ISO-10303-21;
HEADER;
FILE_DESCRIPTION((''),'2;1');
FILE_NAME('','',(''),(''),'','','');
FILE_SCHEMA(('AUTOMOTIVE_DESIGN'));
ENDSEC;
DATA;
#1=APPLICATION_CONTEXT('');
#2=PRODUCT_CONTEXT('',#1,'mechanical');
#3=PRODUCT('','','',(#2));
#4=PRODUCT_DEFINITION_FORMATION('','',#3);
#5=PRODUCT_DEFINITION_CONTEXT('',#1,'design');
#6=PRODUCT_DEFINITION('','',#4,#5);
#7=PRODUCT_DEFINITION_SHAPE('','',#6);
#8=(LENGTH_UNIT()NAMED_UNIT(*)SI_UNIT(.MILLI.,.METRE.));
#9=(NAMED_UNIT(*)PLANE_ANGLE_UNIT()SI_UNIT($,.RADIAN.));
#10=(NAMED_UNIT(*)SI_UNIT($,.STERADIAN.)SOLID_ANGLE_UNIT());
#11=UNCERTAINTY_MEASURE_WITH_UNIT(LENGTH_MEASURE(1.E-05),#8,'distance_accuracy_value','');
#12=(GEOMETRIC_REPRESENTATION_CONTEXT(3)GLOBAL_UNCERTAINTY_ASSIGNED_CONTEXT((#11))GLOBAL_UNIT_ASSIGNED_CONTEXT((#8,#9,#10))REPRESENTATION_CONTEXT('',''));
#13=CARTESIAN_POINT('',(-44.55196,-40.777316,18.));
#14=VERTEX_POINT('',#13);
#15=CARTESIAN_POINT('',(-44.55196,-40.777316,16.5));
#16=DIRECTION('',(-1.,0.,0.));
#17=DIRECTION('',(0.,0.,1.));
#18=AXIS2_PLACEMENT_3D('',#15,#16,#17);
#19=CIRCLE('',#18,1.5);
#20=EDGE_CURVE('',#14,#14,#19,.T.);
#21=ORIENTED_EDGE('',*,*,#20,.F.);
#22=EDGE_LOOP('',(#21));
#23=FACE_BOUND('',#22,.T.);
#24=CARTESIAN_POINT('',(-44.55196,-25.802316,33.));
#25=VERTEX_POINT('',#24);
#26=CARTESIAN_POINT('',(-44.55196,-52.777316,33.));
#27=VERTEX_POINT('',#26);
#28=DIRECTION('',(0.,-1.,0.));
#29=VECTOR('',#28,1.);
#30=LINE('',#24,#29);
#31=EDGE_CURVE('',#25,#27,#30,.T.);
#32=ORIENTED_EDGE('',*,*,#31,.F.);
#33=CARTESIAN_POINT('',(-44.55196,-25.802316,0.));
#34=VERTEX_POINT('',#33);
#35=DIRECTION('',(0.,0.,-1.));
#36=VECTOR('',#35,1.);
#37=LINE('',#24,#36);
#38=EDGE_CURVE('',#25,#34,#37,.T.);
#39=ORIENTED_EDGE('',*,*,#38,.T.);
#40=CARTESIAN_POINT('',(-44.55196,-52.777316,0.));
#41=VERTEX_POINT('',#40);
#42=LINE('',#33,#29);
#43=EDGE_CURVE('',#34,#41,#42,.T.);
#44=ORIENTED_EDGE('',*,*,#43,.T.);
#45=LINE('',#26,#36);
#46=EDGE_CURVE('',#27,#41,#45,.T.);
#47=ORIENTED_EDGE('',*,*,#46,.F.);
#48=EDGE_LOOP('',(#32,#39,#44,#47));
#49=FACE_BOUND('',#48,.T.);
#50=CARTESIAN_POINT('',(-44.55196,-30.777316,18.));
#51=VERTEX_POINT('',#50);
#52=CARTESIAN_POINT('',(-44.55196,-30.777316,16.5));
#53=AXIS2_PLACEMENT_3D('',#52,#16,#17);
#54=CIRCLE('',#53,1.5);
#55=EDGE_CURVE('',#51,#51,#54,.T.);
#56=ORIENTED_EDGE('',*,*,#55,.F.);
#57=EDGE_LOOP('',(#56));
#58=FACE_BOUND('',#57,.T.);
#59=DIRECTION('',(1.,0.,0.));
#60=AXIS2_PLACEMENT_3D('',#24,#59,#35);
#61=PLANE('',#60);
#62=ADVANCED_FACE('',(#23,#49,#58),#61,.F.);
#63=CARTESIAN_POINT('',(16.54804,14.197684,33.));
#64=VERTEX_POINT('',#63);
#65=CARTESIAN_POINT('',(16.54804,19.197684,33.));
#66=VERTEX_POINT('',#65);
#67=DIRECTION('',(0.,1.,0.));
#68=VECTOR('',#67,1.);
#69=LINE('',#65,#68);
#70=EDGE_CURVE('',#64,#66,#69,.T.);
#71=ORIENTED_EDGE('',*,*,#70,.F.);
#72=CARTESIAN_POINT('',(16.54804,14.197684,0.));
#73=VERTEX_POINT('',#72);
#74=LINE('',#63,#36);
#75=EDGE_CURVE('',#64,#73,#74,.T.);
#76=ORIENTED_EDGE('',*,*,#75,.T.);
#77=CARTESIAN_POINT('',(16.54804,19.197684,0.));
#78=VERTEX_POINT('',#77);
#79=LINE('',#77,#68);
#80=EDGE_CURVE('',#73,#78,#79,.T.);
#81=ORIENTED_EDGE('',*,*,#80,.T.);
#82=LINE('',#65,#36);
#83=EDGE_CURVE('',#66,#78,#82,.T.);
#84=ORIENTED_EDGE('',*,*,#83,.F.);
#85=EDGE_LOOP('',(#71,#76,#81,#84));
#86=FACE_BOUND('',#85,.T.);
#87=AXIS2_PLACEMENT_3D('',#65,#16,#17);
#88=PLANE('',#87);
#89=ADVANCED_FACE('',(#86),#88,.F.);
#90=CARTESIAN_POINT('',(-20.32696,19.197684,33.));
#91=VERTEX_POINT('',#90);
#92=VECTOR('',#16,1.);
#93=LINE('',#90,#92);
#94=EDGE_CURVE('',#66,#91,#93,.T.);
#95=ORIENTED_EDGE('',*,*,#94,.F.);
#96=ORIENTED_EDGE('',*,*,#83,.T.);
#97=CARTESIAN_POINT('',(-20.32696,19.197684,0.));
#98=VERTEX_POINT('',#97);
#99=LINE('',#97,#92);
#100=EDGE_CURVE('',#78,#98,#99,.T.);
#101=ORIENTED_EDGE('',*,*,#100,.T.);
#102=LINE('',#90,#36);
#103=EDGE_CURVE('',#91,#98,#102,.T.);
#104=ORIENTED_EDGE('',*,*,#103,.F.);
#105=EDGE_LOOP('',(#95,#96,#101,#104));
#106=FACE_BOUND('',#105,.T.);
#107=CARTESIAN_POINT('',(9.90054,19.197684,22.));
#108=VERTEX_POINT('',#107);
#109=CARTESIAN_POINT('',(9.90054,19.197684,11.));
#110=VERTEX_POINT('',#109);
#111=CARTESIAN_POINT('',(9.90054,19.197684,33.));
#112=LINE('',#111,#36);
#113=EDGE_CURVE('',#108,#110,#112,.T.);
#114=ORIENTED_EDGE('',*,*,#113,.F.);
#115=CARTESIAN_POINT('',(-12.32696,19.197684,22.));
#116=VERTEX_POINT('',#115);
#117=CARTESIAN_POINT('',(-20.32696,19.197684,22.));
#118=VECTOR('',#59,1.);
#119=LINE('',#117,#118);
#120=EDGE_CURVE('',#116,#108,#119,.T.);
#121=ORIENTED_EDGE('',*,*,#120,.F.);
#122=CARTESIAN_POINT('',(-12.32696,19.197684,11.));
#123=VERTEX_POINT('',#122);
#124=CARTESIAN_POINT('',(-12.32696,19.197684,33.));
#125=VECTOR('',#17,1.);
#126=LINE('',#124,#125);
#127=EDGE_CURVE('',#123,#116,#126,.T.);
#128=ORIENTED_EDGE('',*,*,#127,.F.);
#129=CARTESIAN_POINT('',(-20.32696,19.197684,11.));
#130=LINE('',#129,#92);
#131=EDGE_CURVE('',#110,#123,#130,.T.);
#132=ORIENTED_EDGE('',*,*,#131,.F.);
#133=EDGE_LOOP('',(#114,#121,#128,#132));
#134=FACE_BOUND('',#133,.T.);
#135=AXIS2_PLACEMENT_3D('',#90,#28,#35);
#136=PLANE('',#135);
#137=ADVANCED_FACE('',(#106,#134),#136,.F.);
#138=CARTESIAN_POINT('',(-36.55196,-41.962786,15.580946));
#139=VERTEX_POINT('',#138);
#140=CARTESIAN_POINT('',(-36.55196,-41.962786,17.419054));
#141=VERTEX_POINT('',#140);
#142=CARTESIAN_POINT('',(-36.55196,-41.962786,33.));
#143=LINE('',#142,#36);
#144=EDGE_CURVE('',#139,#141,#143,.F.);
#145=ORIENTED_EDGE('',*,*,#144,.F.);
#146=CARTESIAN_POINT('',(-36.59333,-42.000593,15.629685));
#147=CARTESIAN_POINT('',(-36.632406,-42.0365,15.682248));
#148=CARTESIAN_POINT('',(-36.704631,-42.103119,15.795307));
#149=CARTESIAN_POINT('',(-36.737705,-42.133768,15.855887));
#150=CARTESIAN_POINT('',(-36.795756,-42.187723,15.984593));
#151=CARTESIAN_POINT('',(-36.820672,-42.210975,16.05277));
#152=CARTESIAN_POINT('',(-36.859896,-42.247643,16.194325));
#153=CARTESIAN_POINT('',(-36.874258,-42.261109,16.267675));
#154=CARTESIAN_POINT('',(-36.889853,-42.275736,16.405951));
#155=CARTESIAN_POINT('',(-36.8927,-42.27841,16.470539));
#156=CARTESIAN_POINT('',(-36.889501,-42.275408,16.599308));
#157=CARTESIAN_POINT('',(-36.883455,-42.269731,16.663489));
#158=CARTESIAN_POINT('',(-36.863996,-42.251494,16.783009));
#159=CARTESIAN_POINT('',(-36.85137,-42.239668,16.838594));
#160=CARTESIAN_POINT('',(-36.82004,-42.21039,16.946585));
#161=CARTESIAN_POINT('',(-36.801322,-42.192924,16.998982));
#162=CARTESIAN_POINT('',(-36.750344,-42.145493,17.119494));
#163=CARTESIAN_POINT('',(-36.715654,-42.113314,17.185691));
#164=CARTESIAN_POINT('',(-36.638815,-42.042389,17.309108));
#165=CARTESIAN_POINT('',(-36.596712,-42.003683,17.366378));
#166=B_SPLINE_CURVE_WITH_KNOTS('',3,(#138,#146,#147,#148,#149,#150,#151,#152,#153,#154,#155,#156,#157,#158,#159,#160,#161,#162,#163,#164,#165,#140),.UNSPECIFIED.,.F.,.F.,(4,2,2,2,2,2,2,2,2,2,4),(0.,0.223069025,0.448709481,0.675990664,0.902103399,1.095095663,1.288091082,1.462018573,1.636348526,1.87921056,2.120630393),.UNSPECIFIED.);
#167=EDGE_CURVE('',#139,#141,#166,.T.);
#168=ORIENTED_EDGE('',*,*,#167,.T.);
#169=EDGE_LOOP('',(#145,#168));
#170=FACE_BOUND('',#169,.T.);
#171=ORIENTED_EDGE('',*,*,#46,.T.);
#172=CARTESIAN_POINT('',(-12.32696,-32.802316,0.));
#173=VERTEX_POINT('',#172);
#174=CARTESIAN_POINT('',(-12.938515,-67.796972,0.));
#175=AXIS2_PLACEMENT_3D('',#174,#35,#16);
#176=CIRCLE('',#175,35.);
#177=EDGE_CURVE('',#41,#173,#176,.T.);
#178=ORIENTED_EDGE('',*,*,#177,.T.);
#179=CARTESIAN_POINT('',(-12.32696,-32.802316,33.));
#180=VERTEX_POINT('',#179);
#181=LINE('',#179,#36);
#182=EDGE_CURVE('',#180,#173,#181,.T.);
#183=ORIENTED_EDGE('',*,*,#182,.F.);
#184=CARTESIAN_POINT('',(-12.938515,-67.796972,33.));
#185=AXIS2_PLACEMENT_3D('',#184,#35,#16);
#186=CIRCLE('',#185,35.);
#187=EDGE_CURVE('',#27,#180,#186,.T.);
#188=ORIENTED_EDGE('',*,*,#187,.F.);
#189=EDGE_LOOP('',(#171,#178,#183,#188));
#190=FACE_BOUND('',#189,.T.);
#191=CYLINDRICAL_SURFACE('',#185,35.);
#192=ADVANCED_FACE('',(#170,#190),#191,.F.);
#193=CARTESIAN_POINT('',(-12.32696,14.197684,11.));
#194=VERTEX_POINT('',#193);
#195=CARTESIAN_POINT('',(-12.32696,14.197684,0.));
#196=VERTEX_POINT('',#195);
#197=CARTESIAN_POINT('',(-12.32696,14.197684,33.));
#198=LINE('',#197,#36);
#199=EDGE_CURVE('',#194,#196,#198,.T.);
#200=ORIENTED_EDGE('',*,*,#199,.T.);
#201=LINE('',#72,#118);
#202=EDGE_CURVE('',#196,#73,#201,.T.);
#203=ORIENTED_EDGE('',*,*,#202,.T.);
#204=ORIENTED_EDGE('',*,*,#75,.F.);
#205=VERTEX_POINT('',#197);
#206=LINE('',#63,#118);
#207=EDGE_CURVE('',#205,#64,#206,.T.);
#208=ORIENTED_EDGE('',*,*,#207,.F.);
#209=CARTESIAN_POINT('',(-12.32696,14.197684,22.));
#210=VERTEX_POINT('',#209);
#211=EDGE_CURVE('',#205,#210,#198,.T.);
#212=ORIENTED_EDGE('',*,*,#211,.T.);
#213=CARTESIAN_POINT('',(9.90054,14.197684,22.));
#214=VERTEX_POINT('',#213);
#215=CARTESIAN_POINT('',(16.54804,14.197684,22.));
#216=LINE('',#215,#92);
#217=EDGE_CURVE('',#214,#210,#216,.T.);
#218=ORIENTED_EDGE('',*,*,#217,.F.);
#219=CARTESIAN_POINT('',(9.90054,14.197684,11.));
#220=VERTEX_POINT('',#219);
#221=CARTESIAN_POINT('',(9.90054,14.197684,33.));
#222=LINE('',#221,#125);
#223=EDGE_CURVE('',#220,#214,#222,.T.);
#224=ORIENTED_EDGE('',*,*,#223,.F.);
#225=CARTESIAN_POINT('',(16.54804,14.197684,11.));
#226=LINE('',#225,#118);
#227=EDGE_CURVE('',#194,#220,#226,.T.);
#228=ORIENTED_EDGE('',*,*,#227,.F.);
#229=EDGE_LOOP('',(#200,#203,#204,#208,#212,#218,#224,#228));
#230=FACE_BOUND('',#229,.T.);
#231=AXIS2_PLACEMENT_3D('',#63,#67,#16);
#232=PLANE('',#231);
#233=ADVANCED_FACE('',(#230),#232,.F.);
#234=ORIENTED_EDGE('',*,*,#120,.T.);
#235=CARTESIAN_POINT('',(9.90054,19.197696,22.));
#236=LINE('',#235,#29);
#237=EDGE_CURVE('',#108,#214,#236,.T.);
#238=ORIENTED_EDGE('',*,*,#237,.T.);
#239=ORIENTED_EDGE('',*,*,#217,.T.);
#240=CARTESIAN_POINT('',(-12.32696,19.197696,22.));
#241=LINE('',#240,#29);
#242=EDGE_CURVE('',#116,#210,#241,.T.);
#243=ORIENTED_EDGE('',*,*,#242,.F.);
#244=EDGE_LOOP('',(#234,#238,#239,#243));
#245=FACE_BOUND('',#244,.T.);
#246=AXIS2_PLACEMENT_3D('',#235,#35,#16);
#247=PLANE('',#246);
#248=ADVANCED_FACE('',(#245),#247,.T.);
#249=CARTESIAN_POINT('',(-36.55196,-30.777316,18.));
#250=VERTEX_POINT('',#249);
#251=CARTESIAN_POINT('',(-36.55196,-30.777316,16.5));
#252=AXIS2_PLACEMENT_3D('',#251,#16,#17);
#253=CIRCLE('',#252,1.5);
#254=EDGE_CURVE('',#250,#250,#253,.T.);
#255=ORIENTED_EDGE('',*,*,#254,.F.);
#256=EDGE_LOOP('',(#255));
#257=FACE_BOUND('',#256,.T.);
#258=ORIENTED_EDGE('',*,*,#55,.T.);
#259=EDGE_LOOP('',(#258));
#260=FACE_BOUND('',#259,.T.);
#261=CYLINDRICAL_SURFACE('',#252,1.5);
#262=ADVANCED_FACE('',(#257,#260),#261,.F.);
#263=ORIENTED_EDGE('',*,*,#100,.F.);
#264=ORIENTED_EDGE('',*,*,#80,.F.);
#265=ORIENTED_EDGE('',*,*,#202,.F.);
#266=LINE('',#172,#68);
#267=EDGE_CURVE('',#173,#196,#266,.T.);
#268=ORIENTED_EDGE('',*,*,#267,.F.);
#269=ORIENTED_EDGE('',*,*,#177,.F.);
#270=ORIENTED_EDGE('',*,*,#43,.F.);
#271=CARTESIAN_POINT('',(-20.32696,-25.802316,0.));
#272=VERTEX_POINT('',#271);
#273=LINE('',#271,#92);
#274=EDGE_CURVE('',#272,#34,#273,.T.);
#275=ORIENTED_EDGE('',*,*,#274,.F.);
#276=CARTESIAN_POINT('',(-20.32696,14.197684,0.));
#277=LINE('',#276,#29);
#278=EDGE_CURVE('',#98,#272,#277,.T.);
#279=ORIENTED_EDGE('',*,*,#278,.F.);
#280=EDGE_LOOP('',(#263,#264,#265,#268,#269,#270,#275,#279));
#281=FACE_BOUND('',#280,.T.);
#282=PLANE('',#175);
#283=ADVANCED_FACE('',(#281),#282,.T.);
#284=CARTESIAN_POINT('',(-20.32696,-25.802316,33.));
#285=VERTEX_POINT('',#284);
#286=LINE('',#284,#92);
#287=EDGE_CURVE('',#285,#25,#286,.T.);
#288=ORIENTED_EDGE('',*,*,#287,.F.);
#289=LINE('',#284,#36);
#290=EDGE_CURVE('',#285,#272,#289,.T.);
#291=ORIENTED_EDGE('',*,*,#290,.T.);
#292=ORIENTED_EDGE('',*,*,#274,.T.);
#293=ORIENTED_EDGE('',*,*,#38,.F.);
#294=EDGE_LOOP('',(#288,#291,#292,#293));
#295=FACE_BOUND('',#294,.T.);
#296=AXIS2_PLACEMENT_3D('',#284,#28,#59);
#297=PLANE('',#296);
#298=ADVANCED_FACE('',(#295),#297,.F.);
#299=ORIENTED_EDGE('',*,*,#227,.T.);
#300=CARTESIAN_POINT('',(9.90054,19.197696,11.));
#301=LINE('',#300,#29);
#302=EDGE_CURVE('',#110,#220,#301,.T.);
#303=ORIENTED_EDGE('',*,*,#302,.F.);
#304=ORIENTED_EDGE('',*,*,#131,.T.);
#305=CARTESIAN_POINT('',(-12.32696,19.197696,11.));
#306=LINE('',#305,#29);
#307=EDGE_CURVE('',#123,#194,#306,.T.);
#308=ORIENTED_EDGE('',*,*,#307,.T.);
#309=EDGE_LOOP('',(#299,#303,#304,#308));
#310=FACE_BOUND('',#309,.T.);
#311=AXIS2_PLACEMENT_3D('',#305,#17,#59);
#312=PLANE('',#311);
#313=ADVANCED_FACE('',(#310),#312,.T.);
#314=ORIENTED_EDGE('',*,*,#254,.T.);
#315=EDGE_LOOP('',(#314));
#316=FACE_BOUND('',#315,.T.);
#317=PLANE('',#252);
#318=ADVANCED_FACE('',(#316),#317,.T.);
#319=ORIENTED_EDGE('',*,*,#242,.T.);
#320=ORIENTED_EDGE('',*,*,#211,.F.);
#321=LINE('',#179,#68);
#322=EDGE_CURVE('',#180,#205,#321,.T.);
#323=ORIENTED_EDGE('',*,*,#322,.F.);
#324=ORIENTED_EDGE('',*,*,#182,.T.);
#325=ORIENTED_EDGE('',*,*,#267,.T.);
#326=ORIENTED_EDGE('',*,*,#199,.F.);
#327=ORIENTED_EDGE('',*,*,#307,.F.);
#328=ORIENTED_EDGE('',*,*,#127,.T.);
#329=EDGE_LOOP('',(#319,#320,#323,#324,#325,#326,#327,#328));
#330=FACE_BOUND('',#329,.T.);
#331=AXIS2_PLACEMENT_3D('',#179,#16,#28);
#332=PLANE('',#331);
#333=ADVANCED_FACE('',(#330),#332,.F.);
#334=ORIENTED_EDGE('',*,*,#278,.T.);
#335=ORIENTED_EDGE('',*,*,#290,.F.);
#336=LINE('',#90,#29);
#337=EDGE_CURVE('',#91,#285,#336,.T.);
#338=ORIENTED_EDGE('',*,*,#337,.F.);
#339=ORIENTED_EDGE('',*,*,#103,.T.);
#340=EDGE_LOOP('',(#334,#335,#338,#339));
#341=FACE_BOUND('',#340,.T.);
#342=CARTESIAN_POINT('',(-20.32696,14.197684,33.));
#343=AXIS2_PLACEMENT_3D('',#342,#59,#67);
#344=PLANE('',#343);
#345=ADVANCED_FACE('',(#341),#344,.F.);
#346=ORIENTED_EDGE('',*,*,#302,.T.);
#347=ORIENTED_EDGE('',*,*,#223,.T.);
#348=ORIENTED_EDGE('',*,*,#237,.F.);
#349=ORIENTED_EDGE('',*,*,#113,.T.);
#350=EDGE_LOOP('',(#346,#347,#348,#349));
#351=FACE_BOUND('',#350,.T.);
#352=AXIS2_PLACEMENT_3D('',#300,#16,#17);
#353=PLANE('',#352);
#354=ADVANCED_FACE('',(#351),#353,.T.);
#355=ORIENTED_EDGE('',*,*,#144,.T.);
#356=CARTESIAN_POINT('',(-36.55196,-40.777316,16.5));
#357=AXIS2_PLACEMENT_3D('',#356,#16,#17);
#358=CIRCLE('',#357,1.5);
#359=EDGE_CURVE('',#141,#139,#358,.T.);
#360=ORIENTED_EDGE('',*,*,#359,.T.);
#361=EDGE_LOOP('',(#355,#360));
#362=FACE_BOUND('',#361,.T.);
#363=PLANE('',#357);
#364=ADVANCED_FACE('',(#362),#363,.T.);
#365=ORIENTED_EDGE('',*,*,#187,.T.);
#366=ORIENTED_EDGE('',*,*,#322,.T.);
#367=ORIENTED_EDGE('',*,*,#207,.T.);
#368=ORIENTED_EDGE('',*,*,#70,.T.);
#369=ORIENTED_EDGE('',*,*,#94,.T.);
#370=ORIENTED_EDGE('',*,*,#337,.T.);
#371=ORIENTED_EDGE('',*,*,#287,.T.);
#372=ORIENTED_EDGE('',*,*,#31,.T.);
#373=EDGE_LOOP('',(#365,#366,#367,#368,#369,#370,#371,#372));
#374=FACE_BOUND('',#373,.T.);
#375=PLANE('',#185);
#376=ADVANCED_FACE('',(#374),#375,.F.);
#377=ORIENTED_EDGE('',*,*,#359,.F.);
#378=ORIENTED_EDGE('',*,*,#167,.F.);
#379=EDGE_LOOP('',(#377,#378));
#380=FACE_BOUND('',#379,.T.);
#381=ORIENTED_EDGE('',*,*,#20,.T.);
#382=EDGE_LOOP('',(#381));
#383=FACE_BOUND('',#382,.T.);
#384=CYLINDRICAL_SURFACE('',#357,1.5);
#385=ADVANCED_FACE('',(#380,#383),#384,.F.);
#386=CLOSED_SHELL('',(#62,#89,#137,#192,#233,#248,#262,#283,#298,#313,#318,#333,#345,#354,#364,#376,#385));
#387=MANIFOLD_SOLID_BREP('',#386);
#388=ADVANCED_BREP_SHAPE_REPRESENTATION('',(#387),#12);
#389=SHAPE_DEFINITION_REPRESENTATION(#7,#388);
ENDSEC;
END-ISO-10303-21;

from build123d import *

# Parameters (mm, degrees)
BOSS_EXTRUDE1_DEPTH     = 33
CUT_EXTRUDE1_DEPTH      = 91.853055804
CUT_EXTRUDE1_DEPTH_BACK = 10
SKETCH2_W               = 22.2275
SKETCH2_H               = 11
SKETCH3_R               = 1.5
CUT_EXTRUDE2_DEPTH      = 8


with BuildPart() as part:
    # Sketch1 → Boss-Extrude1 (new body)
    with BuildSketch(Plane.XY):
        with BuildLine():
            Line((-20.326959821, 19.197684275), (16.548040179, 19.197684275))
            Line((16.548040179, 19.197684275), (16.548040179, 14.197684275))
            Line((16.548040179, 14.197684275), (-12.326959821, 14.197684275))
            Line((-12.326959821, 14.197684275), (-12.326959821, -32.802315725))
            ThreePointArc((-12.326959821, -32.802315725), (-31.378402335, -38.048517976), (-44.551959821, -52.777315725))
            Line((-44.551959821, -52.777315725), (-44.551959821, -25.802315725))
            Line((-44.551959821, -25.802315725), (-20.326959821, -25.802315725))
            Line((-20.326959821, -25.802315725), (-20.326959821, 14.197684275))
            Line((-20.326959821, 14.197684275), (-20.326959821, 19.197684275))
        make_face()
    extrude(amount=BOSS_EXTRUDE1_DEPTH)

    # Sketch2 → Cut-Extrude1 (cut, two sides: drawn at the far end of the back side and taken through both)
    with BuildSketch(Plane(origin=(0, 19.197684275, 0), x_dir=(1, 0, 0), z_dir=(0, 1, 0)).offset(-CUT_EXTRUDE1_DEPTH_BACK)):
        with Locations((-1.213209821, -16.5)):
            Rectangle(SKETCH2_W, SKETCH2_H)
    extrude(amount=CUT_EXTRUDE1_DEPTH + CUT_EXTRUDE1_DEPTH_BACK, mode=Mode.SUBTRACT)

    # Sketch3 → Cut-Extrude2 (cut)
    with BuildSketch(Plane.ZY.offset(44.551959821)):
        with Locations((16.5, -40.777315725)):
            Circle(SKETCH3_R)
        with Locations((16.5, -30.777315725)):
            Circle(SKETCH3_R)
    extrude(amount=-CUT_EXTRUDE2_DEPTH, mode=Mode.SUBTRACT)


solid = part.part
